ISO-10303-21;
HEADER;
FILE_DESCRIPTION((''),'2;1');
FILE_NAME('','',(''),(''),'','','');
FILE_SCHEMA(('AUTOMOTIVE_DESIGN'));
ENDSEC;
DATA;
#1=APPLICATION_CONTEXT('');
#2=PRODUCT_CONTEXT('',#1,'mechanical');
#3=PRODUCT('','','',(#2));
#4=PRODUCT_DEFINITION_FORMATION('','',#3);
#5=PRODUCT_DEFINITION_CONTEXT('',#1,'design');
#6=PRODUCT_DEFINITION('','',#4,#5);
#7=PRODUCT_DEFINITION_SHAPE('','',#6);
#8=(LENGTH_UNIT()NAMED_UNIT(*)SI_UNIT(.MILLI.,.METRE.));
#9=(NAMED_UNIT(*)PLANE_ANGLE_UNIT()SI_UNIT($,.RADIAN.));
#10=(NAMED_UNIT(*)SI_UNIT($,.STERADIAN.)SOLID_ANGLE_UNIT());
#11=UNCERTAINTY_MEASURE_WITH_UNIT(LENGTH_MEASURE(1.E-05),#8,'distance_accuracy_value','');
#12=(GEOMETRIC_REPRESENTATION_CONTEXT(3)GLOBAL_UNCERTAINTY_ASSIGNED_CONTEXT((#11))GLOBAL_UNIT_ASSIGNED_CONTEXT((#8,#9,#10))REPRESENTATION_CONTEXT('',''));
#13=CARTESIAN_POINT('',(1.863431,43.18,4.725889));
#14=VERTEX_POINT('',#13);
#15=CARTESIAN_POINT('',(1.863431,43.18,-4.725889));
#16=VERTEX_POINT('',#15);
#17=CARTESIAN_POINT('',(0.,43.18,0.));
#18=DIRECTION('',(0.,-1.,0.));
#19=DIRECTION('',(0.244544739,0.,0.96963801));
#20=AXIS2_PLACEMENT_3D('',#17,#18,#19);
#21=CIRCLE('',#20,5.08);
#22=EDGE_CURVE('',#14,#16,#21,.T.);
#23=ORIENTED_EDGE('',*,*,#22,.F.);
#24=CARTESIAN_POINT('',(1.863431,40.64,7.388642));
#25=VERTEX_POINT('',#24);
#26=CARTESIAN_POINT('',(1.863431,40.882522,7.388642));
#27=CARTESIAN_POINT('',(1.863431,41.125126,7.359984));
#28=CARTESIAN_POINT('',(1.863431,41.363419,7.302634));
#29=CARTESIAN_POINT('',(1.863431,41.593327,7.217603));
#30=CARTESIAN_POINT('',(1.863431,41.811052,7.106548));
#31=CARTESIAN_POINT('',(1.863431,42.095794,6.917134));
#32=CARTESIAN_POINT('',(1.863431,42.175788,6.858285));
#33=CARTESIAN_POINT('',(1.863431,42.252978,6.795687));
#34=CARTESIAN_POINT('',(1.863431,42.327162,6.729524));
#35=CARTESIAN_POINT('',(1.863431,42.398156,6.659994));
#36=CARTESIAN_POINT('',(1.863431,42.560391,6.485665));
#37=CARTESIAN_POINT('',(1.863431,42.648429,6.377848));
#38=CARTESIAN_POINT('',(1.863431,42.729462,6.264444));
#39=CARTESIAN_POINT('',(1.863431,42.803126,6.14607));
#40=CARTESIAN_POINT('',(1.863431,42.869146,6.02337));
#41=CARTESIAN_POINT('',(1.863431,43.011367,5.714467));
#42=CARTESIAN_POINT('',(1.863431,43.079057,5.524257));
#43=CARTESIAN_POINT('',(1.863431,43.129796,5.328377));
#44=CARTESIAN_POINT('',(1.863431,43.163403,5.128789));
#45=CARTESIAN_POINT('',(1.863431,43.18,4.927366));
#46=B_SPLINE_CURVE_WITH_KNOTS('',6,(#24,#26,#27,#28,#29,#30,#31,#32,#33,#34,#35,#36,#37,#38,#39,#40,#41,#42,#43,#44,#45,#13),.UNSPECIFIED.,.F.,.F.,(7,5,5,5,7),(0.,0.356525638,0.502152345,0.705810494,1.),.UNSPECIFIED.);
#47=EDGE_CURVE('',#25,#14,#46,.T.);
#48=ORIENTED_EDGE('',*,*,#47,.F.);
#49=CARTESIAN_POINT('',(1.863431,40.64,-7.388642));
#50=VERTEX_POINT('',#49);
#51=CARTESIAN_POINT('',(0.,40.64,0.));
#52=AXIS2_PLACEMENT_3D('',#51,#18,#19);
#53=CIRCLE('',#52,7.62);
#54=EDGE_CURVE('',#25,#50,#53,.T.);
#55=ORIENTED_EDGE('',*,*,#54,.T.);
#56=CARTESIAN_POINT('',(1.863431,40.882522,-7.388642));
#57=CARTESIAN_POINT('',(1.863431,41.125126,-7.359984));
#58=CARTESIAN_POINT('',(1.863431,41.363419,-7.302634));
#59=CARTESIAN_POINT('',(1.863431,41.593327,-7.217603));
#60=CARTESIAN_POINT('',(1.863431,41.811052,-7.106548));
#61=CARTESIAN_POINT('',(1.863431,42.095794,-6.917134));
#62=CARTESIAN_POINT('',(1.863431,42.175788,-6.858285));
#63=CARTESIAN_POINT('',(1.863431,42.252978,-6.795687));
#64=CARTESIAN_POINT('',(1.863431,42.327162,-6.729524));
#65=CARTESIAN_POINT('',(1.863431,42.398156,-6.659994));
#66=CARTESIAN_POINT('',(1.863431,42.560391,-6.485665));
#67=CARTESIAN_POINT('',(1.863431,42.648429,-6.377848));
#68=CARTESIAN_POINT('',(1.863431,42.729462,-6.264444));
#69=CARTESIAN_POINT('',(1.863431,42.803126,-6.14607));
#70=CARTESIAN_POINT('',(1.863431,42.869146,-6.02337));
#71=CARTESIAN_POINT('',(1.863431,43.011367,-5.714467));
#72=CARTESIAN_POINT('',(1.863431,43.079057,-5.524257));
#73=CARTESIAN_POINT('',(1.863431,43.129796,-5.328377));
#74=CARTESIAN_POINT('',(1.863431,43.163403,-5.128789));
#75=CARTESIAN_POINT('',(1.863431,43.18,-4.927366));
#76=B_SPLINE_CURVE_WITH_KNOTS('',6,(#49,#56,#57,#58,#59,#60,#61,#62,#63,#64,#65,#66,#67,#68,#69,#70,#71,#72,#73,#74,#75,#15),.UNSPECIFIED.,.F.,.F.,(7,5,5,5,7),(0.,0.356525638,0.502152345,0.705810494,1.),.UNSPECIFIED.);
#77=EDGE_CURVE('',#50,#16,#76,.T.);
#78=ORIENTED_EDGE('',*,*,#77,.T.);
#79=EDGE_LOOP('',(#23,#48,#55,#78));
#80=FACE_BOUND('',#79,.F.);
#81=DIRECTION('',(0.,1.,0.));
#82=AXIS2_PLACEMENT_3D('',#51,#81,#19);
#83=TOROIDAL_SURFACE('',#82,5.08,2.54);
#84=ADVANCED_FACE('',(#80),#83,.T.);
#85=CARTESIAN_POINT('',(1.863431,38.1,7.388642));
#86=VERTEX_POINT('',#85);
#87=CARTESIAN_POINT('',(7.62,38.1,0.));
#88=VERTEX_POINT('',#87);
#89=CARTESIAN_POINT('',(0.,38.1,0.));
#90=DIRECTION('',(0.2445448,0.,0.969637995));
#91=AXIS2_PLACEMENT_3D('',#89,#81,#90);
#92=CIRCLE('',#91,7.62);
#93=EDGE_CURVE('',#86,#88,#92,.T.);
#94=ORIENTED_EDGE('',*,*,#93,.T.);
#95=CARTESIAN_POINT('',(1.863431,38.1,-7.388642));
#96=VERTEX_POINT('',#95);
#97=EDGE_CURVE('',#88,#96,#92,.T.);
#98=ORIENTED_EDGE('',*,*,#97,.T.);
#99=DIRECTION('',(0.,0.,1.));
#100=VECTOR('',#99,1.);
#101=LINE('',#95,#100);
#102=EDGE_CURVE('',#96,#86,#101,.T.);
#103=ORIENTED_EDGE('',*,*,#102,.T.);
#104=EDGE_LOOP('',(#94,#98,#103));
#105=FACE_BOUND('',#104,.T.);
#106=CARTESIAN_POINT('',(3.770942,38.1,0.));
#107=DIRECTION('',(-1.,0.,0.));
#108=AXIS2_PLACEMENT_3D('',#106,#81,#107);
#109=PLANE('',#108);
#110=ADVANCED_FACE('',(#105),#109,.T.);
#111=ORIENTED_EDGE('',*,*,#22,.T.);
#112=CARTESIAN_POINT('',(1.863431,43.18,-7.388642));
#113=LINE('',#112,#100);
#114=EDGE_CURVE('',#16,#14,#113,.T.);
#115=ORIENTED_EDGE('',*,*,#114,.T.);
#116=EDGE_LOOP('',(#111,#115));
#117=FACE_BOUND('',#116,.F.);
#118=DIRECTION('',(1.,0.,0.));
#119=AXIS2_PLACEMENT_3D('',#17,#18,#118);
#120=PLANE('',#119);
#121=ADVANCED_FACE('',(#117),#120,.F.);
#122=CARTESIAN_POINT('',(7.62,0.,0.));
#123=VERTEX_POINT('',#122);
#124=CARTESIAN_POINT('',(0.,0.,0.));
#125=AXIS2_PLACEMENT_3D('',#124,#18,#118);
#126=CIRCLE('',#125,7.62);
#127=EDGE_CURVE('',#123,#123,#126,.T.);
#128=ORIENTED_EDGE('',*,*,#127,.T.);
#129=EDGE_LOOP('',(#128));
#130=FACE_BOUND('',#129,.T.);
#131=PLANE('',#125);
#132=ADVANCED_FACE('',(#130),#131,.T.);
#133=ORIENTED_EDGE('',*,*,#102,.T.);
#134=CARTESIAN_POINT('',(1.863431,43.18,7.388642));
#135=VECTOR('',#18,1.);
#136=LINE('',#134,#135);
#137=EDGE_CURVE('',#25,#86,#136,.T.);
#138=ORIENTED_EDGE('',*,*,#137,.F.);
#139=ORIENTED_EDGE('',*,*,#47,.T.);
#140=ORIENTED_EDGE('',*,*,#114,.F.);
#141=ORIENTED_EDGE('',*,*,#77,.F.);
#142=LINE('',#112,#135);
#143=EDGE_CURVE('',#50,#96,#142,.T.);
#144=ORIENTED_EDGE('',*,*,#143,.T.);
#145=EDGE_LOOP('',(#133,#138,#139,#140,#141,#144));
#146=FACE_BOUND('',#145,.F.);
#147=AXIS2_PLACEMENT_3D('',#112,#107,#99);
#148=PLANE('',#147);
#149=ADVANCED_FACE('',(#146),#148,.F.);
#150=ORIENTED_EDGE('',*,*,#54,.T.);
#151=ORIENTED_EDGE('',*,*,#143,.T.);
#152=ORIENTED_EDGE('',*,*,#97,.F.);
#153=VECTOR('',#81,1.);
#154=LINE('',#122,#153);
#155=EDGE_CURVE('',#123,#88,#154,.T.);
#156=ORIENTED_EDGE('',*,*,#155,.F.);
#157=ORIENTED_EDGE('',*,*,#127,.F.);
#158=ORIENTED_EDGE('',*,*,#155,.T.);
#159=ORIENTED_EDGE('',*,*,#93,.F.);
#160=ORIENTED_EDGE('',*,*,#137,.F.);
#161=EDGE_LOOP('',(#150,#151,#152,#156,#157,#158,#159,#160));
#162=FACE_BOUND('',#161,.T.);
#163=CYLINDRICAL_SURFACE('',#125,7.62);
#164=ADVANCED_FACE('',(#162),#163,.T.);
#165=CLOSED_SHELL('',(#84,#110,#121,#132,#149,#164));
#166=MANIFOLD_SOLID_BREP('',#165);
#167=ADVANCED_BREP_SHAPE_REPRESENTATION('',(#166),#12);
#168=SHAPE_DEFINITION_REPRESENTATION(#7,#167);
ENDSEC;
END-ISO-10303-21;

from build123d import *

# Parameters (mm, degrees)
F0_R     = 7.62
F1_DEPTH = 43.18
F3_DEPTH = 5.08
F4_R     = 2.54


with BuildPart() as f1:
    # F0 (on Front) → F1 (new body)
    with BuildSketch(Plane.XZ):
        Circle(F0_R)
    extrude(amount=-F1_DEPTH)

    # F2 (on face) → F3 (cut)
    with BuildSketch(Plane(origin=(0, 43.18, 0), x_dir=(-1, 0, 0), z_dir=(0, 1, 0))):
        with BuildLine():
            Line((-1.863431, -7.388642), (-1.863431, 7.388642))
            ThreePointArc((-1.863431, 7.388642), (-7.62, 0), (-1.863431, -7.388642))
        make_face()
    extrude(amount=-F3_DEPTH, mode=Mode.SUBTRACT)

    # F4
    f4_edges = [f1.edges().sort_by_distance(p)[0] for p in [
        (-7.62, 43.18, 0),
    ]]
    fillet(f4_edges, radius=F4_R)


solid = f1.part
